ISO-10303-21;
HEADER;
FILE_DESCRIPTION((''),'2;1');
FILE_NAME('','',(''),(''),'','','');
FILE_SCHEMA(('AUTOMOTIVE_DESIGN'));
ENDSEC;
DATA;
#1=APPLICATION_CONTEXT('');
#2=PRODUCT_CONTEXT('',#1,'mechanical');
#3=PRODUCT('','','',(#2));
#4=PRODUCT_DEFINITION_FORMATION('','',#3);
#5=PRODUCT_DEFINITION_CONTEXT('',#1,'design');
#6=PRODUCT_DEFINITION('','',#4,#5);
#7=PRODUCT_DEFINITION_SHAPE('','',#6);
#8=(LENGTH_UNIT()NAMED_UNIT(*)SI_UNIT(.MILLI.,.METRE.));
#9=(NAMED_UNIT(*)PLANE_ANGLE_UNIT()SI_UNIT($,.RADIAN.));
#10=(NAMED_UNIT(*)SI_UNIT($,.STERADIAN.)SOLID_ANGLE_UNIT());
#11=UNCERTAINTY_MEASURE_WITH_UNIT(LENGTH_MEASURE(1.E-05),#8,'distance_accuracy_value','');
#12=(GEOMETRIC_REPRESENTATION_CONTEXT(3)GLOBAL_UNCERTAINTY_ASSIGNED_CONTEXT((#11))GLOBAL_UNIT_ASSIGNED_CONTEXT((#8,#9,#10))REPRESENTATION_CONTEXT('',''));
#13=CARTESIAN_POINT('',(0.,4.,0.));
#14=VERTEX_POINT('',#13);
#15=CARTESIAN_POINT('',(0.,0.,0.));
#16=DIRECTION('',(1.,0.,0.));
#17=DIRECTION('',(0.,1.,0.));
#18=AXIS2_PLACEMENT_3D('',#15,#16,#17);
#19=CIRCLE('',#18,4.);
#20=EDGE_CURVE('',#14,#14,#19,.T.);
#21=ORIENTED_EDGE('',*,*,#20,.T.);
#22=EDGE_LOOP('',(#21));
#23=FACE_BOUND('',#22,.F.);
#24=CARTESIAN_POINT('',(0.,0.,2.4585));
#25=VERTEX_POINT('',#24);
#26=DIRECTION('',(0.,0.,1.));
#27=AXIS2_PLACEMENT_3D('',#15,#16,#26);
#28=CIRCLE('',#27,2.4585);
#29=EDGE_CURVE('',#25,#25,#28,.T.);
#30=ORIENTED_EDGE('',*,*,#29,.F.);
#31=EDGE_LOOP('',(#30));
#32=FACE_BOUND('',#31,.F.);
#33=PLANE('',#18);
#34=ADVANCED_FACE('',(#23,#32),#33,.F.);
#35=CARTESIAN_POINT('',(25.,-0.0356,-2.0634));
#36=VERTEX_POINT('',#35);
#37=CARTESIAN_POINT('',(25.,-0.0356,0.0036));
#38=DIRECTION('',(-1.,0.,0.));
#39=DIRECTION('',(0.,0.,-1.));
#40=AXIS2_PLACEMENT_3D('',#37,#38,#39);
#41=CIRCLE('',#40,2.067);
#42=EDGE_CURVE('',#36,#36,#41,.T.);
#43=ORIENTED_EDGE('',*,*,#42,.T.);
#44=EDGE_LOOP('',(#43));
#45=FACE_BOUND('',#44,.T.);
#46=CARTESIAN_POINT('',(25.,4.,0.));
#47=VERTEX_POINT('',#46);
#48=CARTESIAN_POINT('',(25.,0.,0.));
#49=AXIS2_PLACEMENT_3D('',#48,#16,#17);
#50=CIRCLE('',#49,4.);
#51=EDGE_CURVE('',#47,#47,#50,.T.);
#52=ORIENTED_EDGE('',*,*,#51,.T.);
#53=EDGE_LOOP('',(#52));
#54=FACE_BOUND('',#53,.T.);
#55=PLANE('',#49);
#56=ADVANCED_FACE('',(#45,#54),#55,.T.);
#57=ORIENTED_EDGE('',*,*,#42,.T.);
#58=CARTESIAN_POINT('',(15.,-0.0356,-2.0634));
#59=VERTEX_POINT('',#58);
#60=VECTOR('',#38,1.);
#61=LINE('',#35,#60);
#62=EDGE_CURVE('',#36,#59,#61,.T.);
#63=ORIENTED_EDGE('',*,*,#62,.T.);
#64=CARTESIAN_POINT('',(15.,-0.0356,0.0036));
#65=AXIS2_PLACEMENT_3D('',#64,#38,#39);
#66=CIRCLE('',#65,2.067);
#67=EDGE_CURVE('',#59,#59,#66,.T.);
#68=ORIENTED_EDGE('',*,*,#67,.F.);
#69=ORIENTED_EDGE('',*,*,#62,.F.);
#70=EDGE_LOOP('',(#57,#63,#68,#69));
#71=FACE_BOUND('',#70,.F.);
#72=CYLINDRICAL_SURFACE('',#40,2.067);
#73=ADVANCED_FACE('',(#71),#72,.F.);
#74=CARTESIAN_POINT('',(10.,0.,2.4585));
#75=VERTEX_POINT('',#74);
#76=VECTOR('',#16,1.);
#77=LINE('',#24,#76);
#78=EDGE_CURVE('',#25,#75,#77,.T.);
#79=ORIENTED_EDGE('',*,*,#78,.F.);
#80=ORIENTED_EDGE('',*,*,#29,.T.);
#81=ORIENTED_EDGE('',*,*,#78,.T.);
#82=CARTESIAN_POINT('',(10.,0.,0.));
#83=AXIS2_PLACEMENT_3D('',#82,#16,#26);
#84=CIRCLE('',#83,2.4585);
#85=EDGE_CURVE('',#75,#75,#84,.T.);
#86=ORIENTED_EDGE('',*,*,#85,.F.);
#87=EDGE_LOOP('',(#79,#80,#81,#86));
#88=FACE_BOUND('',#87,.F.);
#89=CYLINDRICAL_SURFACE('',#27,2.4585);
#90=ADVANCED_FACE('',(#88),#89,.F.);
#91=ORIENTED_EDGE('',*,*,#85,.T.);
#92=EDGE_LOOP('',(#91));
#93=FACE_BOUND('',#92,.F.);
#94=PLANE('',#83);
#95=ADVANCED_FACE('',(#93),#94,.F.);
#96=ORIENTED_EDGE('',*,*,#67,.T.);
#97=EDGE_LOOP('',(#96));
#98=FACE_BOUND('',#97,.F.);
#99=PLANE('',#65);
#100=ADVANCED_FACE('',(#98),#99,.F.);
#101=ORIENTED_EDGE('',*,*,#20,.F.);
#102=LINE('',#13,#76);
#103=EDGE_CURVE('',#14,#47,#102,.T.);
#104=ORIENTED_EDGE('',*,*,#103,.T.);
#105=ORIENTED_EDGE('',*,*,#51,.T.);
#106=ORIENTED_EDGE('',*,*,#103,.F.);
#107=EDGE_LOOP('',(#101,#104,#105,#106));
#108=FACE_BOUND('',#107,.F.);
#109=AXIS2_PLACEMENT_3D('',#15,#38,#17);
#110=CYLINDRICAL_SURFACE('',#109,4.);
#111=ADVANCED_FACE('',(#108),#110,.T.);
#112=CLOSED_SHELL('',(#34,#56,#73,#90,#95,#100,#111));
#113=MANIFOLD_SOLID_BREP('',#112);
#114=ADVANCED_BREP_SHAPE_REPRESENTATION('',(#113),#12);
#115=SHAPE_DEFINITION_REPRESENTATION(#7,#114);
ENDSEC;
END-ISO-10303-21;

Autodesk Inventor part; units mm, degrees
ref_plane "YZ Plane" through (0, 0, 0) normal (1, 0, 0) x (0, 1, 0)
ref_plane "XZ Plane" through (0, 0, 0) normal (0, 1, 0) x (-1, 0, 0)
ref_plane "XY Plane" through (0, 0, 0) normal (0, 0, 1) x (1, 0, 0)
sketch "Sketch1" plane through (0, 0, 0) normal (1, 0, 0) x (0, 1, 0)
  circle A0 centre (0, 0) radius 4
  dimension "d0" = 8
extrude "Extrusion1" add sketch "Sketch1" along normal blind 25
sketch "Sketch3" plane through (25, 0, 0) normal (1, 0, 0) x (0, 0, -1)
  point P0 (0, 0)
  point P1 (0, 0)
hole "Hole1" at (25, -0.0356, 0.0036) direction (-1, 0, 0) diameter 4.134 depth 10 thread size "M5x0.8" class "6H" standard "ISO Metric profile"
sketch "Sketch4" plane through (0, 0, 0) normal (-1, 0, 0) x (0, 0, 1)
  point P0 (0, 0)
  point P1 (0, 0)
hole "Hole2" at (0, 0, 0) direction (1, 0, 0) diameter 4.917 depth 10 thread size "M6x1" class "6H" standard "ANSI Metric M Profile"
properties part number "CopleCylinderSensor"
